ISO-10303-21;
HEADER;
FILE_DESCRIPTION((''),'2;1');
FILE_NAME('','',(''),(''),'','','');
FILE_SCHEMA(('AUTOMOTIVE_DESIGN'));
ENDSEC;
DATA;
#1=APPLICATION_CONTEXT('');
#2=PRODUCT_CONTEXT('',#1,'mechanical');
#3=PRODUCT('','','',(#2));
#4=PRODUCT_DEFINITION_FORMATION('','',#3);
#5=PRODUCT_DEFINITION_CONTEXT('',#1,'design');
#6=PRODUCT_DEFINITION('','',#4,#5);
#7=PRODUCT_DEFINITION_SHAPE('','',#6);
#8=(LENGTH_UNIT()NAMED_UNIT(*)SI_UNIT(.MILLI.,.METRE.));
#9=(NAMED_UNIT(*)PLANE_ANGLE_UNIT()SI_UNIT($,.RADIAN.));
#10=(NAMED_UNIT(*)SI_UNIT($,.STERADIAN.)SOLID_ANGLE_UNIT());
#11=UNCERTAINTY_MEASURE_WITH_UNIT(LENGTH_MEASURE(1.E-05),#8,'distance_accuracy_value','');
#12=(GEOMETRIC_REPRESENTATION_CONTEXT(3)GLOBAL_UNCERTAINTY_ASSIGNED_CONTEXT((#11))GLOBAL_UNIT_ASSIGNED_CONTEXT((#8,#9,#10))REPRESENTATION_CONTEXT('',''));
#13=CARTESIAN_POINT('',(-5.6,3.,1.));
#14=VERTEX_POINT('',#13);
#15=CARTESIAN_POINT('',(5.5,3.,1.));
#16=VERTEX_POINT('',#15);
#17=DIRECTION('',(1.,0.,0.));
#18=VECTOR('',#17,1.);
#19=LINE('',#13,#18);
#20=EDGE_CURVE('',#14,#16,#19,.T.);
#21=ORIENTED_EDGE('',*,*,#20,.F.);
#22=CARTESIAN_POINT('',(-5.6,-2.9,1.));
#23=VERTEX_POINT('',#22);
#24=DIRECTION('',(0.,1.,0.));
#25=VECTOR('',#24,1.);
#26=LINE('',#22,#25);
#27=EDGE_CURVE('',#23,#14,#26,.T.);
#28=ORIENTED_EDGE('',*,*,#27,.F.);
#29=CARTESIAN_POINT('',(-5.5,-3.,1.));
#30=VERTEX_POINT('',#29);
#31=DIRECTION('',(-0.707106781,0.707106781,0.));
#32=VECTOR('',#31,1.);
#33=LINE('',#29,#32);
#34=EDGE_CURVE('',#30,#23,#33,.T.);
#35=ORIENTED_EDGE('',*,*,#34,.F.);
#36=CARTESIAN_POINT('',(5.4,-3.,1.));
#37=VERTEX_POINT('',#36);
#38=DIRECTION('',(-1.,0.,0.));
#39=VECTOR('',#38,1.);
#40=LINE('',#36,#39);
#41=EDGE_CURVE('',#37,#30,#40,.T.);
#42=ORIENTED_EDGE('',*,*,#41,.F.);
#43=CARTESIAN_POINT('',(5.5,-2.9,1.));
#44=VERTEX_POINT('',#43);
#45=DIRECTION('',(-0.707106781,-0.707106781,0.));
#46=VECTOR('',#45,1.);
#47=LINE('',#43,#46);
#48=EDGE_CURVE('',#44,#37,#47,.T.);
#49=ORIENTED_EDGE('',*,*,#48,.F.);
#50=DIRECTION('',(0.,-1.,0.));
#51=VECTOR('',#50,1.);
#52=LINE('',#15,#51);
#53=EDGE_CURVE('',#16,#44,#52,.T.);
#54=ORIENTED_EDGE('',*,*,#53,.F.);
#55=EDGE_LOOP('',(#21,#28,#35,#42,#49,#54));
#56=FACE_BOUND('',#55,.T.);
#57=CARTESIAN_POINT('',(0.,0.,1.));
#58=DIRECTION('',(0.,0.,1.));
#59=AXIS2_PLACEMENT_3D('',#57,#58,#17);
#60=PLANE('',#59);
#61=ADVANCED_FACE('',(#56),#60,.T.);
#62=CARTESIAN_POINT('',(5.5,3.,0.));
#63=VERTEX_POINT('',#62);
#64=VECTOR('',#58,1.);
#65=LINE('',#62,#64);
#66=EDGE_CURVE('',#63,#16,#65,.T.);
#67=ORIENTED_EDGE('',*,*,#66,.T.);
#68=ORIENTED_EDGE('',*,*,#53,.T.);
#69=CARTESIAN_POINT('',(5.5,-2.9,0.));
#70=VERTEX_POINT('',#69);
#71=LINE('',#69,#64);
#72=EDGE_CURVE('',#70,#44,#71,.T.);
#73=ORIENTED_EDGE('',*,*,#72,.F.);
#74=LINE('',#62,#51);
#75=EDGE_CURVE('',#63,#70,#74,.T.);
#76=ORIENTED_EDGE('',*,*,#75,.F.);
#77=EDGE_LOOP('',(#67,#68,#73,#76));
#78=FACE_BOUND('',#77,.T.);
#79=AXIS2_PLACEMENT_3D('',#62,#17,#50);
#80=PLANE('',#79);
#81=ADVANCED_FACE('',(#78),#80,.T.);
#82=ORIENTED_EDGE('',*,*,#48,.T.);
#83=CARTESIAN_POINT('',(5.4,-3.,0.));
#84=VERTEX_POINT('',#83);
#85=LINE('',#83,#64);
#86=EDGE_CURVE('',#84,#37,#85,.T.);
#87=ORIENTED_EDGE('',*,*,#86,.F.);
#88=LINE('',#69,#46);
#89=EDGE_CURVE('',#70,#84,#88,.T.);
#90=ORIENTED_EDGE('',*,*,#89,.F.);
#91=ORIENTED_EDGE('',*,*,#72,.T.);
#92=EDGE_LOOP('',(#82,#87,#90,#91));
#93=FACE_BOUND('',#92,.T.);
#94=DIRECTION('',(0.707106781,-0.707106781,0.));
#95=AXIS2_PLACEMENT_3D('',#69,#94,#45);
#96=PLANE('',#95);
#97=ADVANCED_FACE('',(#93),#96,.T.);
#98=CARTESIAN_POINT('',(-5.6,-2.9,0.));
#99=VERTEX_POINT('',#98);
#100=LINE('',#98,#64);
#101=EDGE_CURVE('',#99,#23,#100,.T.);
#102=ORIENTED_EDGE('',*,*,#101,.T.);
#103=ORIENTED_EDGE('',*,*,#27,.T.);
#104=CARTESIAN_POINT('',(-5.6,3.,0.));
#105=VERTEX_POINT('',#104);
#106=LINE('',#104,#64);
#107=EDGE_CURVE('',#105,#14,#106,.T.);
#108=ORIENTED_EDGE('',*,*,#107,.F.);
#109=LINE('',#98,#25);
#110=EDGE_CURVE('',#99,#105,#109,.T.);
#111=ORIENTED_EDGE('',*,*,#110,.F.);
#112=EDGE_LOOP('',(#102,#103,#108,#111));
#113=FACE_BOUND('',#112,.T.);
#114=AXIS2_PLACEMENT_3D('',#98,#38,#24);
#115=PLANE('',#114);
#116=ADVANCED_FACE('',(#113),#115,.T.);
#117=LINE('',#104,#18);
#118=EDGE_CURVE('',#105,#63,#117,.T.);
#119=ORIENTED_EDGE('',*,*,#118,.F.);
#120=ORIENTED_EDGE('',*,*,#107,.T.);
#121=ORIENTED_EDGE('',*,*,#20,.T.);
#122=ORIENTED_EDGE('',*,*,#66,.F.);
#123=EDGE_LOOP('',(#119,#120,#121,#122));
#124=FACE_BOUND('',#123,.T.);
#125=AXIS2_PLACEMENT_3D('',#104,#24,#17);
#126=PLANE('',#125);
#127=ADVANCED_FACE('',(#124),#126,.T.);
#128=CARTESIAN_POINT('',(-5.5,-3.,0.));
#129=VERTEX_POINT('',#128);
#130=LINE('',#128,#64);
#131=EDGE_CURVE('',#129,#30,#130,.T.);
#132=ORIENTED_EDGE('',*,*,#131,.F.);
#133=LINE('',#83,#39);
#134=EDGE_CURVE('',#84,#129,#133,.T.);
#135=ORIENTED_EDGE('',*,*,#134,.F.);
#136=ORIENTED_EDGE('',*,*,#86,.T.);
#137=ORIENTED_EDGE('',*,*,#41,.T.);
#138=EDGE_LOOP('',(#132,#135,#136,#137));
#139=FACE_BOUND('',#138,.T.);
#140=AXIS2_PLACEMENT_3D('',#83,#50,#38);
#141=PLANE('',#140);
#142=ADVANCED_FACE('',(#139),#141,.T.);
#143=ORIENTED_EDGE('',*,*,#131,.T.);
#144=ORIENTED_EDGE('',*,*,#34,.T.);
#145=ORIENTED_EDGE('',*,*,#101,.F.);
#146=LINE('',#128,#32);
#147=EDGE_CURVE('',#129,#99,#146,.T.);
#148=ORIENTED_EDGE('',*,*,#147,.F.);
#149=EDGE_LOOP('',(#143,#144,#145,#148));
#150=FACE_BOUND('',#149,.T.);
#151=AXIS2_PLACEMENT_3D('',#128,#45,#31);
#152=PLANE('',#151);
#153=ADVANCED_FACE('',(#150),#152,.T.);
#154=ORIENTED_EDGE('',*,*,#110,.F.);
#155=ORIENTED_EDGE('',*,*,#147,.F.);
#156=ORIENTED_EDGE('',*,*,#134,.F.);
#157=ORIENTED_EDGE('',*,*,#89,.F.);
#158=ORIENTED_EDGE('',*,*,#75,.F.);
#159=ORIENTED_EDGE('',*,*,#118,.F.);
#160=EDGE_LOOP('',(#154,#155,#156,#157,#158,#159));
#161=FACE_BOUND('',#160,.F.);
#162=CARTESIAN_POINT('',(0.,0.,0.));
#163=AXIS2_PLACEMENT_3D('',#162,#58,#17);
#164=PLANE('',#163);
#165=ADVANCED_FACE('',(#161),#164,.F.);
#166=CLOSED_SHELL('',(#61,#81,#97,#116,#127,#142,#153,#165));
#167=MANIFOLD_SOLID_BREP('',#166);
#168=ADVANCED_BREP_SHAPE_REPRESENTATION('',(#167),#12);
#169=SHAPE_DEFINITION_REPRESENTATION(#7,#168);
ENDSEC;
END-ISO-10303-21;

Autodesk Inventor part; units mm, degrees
ref_plane "XZ Plane" through (0, 0, 0) normal (0, 1, 0) x (-1, 0, 0)
ref_plane "XY Plane" through (0, 0, 0) normal (0, 0, 1) x (1, 0, 0)
sketch "PCBSW_SMT, SW_SM_PUSHB_257" plane through (0, 0, 0) normal (0, 0, 1) x (1, 0, 0)
  line L0 (-5.6, 3) -> (5.5, 3)
  line L1 (5.5, 3) -> (5.5, -2.9)
  line L2 (5.5, -2.9) -> (5.4, -3)
  line L3 (5.4, -3) -> (-5.5, -3)
  line L4 (-5.5, -3) -> (-5.6, -2.9)
  line L5 (-5.6, -2.9) -> (-5.6, 3)
extrude "Extrusion1" add sketch "PCBSW_SMT, SW_SM_PUSHB_257" along normal blind 1
properties part number "SW_SM_PUSHB"
